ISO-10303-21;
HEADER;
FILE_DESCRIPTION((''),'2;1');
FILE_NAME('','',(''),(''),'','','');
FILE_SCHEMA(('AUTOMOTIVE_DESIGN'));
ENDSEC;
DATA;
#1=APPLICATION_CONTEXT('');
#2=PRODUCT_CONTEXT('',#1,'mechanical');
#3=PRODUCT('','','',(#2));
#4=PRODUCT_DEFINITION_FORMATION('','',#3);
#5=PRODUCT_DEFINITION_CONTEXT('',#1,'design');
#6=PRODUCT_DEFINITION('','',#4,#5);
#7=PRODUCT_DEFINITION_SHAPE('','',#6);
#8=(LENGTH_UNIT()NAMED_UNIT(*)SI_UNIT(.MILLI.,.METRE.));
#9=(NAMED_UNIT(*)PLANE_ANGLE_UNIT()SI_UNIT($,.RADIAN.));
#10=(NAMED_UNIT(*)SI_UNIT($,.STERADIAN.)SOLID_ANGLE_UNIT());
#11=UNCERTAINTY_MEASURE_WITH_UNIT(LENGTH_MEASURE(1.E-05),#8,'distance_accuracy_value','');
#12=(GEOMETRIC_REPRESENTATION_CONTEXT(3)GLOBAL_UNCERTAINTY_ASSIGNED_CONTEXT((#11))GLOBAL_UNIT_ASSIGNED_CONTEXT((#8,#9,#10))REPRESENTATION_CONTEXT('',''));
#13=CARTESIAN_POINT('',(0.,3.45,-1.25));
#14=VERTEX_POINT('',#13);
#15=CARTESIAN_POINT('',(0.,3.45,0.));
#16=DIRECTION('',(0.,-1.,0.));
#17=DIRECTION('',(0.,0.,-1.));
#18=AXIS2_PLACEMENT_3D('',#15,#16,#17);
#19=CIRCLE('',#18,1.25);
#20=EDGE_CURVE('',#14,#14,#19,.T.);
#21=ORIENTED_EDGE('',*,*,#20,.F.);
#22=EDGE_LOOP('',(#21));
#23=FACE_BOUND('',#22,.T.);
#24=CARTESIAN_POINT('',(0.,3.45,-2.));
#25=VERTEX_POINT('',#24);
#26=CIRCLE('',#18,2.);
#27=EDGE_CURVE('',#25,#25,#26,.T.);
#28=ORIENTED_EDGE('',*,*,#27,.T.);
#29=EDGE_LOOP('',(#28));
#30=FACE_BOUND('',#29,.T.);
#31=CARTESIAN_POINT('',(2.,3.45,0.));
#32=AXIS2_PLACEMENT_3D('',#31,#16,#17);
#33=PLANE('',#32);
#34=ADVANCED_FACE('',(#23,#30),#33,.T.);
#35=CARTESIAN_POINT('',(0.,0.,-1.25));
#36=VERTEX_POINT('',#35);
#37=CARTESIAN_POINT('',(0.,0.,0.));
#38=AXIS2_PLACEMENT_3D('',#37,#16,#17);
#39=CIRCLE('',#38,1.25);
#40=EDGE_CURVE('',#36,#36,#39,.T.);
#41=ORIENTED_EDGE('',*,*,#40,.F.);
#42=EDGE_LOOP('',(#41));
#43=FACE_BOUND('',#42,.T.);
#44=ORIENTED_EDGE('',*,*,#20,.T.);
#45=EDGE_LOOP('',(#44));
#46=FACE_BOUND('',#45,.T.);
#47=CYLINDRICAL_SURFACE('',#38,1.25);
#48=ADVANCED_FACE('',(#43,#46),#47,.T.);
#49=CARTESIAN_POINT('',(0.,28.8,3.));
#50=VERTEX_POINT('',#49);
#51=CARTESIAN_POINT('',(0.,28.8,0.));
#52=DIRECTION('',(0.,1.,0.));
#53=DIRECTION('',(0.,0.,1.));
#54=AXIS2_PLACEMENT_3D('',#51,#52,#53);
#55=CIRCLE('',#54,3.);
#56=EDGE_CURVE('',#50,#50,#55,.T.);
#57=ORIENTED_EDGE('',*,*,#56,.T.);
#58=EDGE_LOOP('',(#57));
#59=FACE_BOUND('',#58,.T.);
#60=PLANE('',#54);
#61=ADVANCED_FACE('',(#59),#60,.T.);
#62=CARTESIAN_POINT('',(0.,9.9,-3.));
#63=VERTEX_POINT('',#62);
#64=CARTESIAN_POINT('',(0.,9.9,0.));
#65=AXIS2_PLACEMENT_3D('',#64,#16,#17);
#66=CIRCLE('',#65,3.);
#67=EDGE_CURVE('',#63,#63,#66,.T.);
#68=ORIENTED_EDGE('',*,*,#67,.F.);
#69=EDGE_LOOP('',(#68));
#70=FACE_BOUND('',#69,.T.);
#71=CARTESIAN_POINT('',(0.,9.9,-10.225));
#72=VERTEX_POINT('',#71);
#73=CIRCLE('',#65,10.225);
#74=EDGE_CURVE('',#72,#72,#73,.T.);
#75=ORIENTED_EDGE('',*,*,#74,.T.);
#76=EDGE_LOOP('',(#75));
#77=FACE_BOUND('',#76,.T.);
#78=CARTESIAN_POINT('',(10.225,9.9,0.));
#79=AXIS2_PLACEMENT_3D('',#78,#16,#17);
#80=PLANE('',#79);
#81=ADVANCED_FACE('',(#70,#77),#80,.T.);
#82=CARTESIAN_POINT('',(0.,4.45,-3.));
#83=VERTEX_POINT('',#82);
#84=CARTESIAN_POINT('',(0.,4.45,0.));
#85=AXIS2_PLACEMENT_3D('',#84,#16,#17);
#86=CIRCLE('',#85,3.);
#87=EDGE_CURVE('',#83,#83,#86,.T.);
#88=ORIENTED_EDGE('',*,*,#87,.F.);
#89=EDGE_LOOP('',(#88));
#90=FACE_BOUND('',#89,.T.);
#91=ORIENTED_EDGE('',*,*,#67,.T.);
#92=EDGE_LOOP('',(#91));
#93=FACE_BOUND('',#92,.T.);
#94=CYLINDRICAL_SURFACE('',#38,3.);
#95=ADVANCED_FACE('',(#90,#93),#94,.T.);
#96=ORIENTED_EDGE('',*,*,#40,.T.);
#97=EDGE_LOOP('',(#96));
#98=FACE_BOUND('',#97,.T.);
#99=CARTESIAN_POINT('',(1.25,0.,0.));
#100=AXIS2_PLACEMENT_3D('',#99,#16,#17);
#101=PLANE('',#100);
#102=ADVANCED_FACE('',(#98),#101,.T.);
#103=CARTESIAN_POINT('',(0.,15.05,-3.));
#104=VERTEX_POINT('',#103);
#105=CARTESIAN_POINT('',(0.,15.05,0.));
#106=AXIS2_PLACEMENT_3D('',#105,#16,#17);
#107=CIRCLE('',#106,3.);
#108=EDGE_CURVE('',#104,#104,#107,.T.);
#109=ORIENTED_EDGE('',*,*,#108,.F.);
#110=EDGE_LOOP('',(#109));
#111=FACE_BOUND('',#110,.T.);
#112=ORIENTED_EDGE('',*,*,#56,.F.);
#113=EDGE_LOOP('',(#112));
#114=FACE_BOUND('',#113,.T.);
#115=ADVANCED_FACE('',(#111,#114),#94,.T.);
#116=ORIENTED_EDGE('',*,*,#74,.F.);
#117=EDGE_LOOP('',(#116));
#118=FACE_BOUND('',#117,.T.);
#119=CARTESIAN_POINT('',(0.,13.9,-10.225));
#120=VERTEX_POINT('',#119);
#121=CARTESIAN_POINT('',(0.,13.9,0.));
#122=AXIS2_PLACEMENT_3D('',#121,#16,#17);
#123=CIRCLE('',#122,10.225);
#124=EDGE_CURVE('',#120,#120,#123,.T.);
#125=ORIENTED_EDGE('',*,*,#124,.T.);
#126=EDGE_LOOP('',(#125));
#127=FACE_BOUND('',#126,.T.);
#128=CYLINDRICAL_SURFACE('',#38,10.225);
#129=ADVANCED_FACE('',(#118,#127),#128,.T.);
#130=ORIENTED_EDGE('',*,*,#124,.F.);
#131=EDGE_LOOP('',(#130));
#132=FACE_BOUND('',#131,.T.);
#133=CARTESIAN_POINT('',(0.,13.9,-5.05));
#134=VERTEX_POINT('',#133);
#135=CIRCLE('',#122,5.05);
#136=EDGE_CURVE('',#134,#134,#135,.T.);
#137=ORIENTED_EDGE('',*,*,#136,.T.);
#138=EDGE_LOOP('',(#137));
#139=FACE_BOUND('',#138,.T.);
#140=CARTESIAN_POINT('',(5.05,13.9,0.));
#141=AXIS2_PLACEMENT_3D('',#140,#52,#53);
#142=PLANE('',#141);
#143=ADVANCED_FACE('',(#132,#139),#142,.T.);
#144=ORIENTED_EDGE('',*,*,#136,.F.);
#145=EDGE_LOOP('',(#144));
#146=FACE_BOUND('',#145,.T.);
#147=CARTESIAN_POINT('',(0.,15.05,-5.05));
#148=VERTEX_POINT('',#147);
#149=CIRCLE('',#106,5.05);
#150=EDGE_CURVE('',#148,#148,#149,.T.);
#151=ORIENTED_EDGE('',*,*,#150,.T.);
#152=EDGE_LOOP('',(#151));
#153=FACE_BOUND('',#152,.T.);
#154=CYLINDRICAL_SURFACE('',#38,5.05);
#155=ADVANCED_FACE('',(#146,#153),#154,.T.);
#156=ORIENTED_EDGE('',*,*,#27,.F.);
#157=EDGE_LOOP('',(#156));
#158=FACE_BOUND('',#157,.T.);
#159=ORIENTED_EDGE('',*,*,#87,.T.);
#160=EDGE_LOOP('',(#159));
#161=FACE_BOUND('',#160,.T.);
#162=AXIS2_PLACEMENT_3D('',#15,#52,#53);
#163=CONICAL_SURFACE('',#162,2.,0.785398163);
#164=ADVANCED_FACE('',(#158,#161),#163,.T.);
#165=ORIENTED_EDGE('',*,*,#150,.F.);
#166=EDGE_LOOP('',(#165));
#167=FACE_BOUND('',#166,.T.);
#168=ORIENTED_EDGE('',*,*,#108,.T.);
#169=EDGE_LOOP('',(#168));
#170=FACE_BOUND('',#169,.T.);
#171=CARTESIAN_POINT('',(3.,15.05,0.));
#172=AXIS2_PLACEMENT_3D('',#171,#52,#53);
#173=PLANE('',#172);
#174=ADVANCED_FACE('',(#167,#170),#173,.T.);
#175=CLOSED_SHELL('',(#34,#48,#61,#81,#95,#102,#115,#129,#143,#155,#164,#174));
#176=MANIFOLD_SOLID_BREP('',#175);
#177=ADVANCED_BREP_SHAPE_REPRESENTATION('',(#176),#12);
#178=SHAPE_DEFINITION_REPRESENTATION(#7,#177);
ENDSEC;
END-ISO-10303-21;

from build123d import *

# Parameters (mm, degrees)
CUT_EXTRUDE_START   = -12
CUT_EXTRUDE_1_DEPTH = 12
CUT_EXTRUDE_START_2 = -13.5
SKETCH_3_R          = 3
CUT_EXTRUDE_2_DEPTH = 13.5


with BuildPart() as part:
    # ｽｹｯﾁ1 → 回転1 (revolve)
    with BuildSketch(Plane.XY, mode=Mode.PRIVATE) as revolve_1_sk:
        Polygon((0, 0), (0, 42.3), (3, 42.3), (3, 15.05), (5.05, 15.05), (5.05, 13.9), (10.225, 13.9), (10.225, 9.9), (3, 9.9), (3, 4.45), (2, 3.45), (1.25, 3.45), (1.25, 0), align=None)
    revolve(revolve_1_sk.sketch.rotate(Axis((0, 0, 0), (0, 1, 0)), 90), axis=Axis((0, 0, 0), (0, 1, 0)))

    # ｽｹｯﾁ2 → ｶｯﾄ - 押し出し1 (cut)
    with BuildSketch(Plane(origin=(0, 42.3, 0), x_dir=(1, 0, 0), z_dir=(0, 1, 0)).offset(CUT_EXTRUDE_START)):
        with BuildLine():
            Line((-1.658312395, 2.5), (1.658312395, 2.5))
            ThreePointArc((1.658312395, 2.5), (0, 3), (-1.658312395, 2.5))
        make_face()
    extrude(amount=CUT_EXTRUDE_1_DEPTH, mode=Mode.SUBTRACT)

    # ｽｹｯﾁ3 → ｶｯﾄ - 押し出し2 (cut)
    with BuildSketch(Plane(origin=(0, 42.3, 0), x_dir=(1, 0, 0), z_dir=(0, 1, 0)).offset(CUT_EXTRUDE_START_2)):
        with Locations(Location((0, 0, 0), (0, 0, 90))):
            Circle(SKETCH_3_R)
    extrude(amount=CUT_EXTRUDE_2_DEPTH, mode=Mode.SUBTRACT)


solid = part.part
